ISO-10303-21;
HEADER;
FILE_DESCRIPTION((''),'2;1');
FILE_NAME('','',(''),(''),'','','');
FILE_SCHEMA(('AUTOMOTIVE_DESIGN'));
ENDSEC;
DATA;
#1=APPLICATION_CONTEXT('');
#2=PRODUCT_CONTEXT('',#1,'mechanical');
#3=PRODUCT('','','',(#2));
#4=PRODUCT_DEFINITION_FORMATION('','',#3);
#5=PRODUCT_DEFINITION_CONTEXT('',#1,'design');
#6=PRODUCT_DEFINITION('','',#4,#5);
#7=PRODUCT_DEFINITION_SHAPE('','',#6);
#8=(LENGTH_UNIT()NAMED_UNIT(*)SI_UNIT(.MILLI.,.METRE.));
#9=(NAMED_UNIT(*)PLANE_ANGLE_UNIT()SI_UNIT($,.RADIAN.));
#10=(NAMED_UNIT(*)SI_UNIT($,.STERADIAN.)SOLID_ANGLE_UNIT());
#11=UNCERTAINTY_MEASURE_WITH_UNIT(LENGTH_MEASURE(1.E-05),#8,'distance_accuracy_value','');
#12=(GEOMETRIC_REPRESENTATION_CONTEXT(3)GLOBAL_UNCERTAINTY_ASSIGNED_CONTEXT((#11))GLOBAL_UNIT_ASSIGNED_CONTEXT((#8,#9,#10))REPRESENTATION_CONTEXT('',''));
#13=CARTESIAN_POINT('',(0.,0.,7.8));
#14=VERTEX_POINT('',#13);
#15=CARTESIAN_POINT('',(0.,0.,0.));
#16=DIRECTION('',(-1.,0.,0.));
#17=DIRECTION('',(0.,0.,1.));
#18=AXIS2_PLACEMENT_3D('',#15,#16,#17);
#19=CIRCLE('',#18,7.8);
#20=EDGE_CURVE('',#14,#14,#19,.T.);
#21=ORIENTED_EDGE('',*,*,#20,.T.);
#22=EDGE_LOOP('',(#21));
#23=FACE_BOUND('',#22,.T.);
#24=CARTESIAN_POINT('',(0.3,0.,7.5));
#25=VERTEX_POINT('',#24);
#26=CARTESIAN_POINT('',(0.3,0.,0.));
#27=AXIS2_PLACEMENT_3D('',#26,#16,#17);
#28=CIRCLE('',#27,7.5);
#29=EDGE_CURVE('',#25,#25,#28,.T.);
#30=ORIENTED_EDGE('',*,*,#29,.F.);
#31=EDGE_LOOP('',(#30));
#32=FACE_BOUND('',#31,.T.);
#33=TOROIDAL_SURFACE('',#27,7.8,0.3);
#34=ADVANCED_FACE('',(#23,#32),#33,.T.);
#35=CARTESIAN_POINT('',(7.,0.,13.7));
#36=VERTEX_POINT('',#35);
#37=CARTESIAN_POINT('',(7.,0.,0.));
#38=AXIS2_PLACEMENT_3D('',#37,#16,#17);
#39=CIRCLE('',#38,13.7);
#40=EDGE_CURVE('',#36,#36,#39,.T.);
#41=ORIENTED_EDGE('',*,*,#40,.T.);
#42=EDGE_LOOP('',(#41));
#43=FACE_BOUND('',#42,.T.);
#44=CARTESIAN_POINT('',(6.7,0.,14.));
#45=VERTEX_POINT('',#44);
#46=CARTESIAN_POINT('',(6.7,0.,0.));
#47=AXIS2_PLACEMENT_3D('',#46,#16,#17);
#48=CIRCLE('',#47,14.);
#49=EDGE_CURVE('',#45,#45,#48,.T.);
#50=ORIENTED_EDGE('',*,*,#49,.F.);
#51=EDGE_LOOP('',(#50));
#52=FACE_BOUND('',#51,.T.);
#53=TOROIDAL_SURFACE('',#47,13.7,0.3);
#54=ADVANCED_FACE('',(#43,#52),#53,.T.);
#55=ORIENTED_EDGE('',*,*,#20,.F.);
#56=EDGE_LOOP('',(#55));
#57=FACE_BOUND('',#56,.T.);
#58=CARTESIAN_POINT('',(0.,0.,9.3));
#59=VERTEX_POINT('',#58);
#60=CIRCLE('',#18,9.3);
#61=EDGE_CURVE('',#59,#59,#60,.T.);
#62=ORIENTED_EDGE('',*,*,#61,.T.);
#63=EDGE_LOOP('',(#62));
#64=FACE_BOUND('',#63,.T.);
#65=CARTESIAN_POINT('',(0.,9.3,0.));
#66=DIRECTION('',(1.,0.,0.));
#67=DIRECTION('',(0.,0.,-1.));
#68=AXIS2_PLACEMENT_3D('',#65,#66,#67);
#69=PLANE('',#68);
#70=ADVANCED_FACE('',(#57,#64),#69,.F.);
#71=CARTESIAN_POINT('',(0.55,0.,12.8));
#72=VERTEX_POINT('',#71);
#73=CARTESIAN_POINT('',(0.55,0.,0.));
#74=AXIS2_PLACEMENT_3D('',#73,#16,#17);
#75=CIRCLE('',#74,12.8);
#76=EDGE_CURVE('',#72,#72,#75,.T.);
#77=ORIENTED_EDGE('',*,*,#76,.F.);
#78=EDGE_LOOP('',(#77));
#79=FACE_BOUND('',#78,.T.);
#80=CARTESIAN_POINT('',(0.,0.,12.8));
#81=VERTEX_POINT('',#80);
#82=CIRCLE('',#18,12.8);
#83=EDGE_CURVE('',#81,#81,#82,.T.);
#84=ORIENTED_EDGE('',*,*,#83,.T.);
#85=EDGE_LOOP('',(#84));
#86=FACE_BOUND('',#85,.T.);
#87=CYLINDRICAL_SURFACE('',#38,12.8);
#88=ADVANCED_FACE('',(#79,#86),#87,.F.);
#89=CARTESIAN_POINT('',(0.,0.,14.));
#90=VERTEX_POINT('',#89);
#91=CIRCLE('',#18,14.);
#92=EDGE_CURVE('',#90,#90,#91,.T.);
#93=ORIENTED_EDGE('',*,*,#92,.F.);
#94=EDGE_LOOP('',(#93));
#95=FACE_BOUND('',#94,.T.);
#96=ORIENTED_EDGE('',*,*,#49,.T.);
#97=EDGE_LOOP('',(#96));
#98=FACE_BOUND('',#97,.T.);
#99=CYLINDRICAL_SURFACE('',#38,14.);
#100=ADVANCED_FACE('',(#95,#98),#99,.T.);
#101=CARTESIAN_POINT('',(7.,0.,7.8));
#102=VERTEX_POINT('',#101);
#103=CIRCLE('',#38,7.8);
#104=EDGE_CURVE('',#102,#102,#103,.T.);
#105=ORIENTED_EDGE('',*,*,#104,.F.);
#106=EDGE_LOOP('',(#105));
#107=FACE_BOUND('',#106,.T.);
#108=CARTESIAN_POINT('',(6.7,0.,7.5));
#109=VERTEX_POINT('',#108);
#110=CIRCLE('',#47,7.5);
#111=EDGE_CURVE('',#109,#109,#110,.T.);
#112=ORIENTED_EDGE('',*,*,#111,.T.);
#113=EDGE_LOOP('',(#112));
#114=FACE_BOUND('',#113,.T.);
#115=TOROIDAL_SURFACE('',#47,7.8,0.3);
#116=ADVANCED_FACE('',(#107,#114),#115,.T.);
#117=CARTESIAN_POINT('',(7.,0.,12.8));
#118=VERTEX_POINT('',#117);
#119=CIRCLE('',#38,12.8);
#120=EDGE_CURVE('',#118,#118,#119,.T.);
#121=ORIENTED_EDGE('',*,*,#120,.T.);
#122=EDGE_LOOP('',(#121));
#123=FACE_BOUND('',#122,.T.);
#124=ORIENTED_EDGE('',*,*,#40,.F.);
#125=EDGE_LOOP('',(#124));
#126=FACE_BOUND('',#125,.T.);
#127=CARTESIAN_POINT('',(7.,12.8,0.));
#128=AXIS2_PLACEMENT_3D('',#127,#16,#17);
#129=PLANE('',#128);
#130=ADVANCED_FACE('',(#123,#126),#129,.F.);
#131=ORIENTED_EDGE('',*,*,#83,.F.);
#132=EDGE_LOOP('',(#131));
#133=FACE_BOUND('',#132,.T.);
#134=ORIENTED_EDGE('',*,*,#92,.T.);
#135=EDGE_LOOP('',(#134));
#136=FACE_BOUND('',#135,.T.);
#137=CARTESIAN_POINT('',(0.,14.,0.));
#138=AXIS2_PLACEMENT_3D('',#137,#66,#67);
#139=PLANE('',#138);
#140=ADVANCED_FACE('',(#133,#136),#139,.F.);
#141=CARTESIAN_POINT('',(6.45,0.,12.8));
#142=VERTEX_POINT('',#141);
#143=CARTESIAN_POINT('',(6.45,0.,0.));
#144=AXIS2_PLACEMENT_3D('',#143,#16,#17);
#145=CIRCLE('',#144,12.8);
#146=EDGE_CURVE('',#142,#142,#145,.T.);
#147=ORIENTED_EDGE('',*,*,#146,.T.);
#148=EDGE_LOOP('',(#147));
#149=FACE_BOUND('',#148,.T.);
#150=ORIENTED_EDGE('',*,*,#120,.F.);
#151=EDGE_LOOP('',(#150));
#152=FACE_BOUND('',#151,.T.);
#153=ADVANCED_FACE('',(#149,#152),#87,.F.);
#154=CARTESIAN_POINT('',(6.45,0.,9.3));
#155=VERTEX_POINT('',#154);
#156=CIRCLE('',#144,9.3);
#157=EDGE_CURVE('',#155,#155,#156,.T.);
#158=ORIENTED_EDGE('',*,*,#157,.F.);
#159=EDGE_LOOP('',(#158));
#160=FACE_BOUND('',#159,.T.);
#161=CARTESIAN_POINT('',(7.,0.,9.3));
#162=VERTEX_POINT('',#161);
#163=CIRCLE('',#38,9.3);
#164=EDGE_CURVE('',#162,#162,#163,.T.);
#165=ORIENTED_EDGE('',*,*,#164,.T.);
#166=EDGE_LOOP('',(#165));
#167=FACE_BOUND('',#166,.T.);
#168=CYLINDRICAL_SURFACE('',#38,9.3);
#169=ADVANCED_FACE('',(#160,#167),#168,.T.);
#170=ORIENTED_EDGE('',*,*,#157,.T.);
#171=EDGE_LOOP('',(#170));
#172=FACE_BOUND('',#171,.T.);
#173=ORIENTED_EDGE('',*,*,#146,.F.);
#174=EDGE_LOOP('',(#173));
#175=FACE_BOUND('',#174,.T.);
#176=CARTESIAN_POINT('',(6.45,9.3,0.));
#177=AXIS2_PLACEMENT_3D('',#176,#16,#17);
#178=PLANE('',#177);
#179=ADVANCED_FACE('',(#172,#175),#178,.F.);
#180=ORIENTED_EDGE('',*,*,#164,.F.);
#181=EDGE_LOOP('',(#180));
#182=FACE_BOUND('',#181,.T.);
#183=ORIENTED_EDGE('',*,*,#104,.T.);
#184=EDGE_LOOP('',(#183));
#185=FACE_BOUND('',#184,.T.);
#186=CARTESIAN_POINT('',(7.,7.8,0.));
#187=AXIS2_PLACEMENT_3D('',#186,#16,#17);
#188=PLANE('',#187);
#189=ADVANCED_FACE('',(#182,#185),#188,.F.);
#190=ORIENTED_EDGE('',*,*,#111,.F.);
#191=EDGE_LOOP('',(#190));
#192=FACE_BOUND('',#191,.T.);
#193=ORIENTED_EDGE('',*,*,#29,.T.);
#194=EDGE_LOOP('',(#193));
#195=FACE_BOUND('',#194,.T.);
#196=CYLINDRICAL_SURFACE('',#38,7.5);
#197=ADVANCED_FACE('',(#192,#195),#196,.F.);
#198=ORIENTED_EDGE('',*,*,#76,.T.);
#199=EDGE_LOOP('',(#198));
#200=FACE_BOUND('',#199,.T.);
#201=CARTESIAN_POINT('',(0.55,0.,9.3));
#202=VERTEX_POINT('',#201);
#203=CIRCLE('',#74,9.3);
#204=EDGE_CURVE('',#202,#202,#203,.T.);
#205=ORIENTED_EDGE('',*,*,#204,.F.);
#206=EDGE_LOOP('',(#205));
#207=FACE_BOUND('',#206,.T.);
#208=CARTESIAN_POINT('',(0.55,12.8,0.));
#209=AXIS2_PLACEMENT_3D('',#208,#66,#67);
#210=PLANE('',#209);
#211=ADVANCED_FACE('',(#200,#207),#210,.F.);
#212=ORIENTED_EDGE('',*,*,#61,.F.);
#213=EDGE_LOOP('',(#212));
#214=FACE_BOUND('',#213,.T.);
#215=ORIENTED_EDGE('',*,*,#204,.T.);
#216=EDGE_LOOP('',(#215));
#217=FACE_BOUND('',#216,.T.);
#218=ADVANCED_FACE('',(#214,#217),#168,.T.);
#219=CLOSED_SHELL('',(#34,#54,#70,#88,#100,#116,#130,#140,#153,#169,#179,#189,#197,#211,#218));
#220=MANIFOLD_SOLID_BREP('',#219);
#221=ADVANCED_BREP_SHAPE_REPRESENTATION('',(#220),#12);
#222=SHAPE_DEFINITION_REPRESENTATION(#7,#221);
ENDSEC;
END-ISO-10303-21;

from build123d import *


with BuildPart() as part:
    # 草图1 → 旋转1 (revolve)
    with BuildSketch(Plane.XY):
        with BuildLine():
            Line((0, 14), (0, 12.8))
            Line((0, 12.8), (0.55, 12.8))
            Line((0.55, 12.8), (0.55, 9.3))
            Line((0.55, 9.3), (0, 9.3))
            Line((0, 9.3), (0, 7.8))
            ThreePointArc((0, 7.8), (0.087867966, 7.587867966), (0.3, 7.5))
            Line((0.3, 7.5), (6.7, 7.5))
            ThreePointArc((6.7, 7.5), (6.912132034, 7.587867966), (7, 7.8))
            Line((7, 7.8), (7, 9.3))
            Line((7, 9.3), (6.45, 9.3))
            Line((6.45, 9.3), (6.45, 12.8))
            Line((6.45, 12.8), (7, 12.8))
            Line((7, 12.8), (7, 13.7))
            ThreePointArc((7, 13.7), (6.912132034, 13.912132034), (6.7, 14))
            Line((6.7, 14), (0, 14))
        make_face()
    revolve(axis=Axis((7, 0, 0), (-1, 0, 0)))


solid = part.part
